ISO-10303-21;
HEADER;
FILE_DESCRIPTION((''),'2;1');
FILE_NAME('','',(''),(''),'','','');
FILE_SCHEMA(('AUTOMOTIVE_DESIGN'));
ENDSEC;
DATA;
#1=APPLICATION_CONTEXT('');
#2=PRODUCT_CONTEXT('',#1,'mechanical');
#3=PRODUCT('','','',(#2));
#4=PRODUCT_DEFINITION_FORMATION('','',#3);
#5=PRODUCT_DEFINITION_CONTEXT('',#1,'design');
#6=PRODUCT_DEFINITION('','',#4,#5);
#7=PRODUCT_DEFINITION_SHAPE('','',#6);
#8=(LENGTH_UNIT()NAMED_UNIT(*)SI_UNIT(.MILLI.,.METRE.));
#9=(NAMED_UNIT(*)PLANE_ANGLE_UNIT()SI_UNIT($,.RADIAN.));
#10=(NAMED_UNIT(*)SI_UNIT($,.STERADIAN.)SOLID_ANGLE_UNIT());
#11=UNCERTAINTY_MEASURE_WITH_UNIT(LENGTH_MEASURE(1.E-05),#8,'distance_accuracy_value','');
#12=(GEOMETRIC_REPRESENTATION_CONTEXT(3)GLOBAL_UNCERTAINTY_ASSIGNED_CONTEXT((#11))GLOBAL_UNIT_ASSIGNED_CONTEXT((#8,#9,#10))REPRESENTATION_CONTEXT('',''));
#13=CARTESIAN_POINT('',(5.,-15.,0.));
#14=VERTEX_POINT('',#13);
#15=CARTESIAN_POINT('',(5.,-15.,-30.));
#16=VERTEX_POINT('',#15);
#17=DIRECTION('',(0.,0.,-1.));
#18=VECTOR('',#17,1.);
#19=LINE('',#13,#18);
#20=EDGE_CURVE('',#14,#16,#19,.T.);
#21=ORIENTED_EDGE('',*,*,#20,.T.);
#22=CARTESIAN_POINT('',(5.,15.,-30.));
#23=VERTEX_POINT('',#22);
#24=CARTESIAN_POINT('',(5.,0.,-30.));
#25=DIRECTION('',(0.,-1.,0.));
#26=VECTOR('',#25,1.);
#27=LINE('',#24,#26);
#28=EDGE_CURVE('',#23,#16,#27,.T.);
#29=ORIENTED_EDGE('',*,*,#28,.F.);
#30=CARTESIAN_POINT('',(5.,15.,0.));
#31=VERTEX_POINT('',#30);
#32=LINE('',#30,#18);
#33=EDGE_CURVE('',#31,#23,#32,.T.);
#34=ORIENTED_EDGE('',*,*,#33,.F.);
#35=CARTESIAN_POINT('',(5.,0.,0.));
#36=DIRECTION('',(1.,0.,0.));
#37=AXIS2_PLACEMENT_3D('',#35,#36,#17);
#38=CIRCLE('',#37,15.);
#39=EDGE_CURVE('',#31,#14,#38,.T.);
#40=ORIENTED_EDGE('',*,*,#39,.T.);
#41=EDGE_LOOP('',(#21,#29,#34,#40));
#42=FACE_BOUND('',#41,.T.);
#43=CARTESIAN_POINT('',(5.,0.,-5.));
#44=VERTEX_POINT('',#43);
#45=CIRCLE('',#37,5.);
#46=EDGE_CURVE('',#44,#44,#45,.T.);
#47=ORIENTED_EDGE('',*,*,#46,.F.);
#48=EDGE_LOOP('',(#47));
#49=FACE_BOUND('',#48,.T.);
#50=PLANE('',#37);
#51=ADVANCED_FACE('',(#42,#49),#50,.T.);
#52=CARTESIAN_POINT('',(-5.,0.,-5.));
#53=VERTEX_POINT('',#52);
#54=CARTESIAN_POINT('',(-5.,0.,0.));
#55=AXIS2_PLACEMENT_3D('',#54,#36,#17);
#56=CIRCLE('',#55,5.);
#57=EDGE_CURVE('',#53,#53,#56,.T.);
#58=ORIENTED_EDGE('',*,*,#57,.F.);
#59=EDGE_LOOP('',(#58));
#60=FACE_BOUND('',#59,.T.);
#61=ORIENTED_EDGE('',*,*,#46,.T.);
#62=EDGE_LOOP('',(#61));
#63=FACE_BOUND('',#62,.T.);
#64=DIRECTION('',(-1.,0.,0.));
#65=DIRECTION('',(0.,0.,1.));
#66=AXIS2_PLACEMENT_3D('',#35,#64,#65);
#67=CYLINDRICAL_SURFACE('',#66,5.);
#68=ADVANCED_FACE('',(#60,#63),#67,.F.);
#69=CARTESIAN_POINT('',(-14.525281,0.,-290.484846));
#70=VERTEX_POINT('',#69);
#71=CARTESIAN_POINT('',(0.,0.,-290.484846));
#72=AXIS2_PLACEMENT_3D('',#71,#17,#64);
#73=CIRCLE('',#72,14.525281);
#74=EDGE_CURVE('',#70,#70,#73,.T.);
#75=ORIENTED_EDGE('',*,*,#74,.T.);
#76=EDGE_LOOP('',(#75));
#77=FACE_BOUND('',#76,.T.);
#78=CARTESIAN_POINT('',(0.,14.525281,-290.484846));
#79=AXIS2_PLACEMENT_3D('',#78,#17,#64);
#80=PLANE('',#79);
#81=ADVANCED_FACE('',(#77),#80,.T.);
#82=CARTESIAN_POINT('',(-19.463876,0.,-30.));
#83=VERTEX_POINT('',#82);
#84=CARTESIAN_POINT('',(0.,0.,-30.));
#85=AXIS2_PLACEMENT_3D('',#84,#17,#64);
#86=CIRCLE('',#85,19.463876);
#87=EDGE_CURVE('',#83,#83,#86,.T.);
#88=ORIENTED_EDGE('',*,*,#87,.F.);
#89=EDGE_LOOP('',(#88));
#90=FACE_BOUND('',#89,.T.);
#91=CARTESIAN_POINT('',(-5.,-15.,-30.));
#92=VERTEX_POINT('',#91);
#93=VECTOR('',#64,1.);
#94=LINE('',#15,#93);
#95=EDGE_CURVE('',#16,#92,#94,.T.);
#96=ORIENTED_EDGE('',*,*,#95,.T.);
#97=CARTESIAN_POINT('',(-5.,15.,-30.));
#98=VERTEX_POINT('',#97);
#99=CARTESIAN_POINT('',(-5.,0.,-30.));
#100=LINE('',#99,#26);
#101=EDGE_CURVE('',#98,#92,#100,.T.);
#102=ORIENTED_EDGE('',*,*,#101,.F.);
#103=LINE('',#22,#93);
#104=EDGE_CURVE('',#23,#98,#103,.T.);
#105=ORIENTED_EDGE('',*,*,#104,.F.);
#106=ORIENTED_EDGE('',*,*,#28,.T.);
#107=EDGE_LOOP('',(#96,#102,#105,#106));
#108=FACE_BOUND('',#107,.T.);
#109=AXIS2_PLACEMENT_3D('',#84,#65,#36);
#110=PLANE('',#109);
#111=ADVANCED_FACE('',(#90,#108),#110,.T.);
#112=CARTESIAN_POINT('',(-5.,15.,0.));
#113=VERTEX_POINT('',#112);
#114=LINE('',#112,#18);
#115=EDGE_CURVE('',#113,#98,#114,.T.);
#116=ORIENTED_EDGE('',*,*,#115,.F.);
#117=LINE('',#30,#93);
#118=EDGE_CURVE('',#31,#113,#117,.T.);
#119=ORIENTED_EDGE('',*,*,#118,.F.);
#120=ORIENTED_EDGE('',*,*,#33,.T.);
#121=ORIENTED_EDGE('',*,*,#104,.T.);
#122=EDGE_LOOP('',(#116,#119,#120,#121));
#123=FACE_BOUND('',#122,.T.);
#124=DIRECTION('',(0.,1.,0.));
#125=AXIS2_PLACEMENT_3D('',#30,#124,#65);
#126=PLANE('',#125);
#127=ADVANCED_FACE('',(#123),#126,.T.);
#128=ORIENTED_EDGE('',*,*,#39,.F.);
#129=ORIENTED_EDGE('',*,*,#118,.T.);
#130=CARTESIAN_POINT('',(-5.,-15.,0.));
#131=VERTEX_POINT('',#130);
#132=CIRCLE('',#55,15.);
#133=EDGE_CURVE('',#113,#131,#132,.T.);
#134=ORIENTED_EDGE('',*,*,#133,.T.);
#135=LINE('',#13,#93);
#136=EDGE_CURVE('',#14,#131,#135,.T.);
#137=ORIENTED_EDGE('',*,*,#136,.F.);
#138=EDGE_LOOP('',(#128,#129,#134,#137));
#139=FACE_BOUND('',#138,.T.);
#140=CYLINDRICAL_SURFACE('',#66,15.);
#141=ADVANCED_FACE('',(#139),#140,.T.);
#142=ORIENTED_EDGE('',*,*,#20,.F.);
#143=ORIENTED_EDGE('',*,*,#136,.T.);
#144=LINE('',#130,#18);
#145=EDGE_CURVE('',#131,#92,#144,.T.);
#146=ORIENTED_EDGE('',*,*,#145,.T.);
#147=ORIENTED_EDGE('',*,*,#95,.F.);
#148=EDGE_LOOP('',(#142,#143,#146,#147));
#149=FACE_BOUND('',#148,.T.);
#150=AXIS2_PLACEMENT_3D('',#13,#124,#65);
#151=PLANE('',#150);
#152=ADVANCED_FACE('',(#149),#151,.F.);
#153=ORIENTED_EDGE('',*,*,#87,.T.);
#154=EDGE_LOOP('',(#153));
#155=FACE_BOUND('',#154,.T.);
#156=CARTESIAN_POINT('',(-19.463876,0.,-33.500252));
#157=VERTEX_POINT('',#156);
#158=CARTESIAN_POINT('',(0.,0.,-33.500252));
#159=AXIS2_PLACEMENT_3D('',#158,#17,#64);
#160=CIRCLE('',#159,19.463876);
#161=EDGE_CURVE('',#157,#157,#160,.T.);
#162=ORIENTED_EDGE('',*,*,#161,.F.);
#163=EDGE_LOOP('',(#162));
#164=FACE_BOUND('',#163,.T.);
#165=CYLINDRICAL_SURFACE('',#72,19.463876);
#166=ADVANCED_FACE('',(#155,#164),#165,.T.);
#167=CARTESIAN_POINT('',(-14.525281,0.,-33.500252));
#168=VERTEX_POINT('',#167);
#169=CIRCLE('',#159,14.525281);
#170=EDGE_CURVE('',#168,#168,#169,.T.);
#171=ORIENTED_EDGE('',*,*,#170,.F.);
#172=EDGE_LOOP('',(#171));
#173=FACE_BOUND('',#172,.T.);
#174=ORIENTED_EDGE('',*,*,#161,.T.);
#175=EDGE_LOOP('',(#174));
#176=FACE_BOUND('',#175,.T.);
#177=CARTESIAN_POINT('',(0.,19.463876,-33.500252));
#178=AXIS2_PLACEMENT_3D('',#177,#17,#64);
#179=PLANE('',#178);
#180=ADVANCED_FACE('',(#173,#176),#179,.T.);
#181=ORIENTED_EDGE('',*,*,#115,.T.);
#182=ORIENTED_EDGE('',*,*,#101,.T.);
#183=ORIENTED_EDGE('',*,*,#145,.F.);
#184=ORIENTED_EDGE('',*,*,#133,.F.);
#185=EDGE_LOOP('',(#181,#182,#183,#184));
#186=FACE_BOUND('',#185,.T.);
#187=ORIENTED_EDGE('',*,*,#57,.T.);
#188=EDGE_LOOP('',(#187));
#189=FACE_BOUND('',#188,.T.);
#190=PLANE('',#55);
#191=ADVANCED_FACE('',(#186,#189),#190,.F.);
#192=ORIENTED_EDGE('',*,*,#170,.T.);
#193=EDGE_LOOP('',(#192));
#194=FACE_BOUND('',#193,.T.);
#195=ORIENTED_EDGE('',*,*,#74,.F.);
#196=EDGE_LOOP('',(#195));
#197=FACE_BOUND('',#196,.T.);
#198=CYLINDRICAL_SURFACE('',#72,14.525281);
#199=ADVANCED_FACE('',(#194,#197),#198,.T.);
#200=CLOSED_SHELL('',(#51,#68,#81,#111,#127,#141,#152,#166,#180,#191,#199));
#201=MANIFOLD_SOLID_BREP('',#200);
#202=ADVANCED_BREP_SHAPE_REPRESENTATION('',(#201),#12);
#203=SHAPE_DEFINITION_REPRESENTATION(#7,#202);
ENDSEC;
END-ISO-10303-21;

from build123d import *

# Parameters (mm, degrees)
SKETCH1_R           = 5
BOSS_EXTRUDE1_DEPTH = 5


with BuildPart() as part:
    # Sketch1 → Boss-Extrude1 (new, symmetric)
    with BuildSketch(Plane(origin=(0, 0, 0), x_dir=(0, 0, -1), z_dir=(1, 0, 0))):
        with BuildLine():
            Line((0, 15), (30, 15))
            Line((30, 15), (30, -15))
            Line((30, -15), (0, -15))
            ThreePointArc((0, -15), (-15, 0), (0, 15))
        make_face()
        Circle(SKETCH1_R, mode=Mode.SUBTRACT)
    extrude(amount=BOSS_EXTRUDE1_DEPTH, both=True)

    # Sketch2 → Revolve1 (revolve)
    with BuildSketch(Plane(origin=(0, 0, 0), x_dir=(0, 0, -1), z_dir=(1, 0, 0)), mode=Mode.PRIVATE) as revolve1_sk:
        Polygon((30, 0), (30, 19.46387593), (33.500252175, 19.46387593), (33.500252175, 14.525280545), (290.484846339, 14.525280545), (290.484846339, 0), align=None)
    revolve(revolve1_sk.sketch.rotate(Axis((0, 0, -290.484846339), (0, 0, 1)), 90), axis=Axis((0, 0, -290.484846339), (0, 0, 1)))


solid = part.part
